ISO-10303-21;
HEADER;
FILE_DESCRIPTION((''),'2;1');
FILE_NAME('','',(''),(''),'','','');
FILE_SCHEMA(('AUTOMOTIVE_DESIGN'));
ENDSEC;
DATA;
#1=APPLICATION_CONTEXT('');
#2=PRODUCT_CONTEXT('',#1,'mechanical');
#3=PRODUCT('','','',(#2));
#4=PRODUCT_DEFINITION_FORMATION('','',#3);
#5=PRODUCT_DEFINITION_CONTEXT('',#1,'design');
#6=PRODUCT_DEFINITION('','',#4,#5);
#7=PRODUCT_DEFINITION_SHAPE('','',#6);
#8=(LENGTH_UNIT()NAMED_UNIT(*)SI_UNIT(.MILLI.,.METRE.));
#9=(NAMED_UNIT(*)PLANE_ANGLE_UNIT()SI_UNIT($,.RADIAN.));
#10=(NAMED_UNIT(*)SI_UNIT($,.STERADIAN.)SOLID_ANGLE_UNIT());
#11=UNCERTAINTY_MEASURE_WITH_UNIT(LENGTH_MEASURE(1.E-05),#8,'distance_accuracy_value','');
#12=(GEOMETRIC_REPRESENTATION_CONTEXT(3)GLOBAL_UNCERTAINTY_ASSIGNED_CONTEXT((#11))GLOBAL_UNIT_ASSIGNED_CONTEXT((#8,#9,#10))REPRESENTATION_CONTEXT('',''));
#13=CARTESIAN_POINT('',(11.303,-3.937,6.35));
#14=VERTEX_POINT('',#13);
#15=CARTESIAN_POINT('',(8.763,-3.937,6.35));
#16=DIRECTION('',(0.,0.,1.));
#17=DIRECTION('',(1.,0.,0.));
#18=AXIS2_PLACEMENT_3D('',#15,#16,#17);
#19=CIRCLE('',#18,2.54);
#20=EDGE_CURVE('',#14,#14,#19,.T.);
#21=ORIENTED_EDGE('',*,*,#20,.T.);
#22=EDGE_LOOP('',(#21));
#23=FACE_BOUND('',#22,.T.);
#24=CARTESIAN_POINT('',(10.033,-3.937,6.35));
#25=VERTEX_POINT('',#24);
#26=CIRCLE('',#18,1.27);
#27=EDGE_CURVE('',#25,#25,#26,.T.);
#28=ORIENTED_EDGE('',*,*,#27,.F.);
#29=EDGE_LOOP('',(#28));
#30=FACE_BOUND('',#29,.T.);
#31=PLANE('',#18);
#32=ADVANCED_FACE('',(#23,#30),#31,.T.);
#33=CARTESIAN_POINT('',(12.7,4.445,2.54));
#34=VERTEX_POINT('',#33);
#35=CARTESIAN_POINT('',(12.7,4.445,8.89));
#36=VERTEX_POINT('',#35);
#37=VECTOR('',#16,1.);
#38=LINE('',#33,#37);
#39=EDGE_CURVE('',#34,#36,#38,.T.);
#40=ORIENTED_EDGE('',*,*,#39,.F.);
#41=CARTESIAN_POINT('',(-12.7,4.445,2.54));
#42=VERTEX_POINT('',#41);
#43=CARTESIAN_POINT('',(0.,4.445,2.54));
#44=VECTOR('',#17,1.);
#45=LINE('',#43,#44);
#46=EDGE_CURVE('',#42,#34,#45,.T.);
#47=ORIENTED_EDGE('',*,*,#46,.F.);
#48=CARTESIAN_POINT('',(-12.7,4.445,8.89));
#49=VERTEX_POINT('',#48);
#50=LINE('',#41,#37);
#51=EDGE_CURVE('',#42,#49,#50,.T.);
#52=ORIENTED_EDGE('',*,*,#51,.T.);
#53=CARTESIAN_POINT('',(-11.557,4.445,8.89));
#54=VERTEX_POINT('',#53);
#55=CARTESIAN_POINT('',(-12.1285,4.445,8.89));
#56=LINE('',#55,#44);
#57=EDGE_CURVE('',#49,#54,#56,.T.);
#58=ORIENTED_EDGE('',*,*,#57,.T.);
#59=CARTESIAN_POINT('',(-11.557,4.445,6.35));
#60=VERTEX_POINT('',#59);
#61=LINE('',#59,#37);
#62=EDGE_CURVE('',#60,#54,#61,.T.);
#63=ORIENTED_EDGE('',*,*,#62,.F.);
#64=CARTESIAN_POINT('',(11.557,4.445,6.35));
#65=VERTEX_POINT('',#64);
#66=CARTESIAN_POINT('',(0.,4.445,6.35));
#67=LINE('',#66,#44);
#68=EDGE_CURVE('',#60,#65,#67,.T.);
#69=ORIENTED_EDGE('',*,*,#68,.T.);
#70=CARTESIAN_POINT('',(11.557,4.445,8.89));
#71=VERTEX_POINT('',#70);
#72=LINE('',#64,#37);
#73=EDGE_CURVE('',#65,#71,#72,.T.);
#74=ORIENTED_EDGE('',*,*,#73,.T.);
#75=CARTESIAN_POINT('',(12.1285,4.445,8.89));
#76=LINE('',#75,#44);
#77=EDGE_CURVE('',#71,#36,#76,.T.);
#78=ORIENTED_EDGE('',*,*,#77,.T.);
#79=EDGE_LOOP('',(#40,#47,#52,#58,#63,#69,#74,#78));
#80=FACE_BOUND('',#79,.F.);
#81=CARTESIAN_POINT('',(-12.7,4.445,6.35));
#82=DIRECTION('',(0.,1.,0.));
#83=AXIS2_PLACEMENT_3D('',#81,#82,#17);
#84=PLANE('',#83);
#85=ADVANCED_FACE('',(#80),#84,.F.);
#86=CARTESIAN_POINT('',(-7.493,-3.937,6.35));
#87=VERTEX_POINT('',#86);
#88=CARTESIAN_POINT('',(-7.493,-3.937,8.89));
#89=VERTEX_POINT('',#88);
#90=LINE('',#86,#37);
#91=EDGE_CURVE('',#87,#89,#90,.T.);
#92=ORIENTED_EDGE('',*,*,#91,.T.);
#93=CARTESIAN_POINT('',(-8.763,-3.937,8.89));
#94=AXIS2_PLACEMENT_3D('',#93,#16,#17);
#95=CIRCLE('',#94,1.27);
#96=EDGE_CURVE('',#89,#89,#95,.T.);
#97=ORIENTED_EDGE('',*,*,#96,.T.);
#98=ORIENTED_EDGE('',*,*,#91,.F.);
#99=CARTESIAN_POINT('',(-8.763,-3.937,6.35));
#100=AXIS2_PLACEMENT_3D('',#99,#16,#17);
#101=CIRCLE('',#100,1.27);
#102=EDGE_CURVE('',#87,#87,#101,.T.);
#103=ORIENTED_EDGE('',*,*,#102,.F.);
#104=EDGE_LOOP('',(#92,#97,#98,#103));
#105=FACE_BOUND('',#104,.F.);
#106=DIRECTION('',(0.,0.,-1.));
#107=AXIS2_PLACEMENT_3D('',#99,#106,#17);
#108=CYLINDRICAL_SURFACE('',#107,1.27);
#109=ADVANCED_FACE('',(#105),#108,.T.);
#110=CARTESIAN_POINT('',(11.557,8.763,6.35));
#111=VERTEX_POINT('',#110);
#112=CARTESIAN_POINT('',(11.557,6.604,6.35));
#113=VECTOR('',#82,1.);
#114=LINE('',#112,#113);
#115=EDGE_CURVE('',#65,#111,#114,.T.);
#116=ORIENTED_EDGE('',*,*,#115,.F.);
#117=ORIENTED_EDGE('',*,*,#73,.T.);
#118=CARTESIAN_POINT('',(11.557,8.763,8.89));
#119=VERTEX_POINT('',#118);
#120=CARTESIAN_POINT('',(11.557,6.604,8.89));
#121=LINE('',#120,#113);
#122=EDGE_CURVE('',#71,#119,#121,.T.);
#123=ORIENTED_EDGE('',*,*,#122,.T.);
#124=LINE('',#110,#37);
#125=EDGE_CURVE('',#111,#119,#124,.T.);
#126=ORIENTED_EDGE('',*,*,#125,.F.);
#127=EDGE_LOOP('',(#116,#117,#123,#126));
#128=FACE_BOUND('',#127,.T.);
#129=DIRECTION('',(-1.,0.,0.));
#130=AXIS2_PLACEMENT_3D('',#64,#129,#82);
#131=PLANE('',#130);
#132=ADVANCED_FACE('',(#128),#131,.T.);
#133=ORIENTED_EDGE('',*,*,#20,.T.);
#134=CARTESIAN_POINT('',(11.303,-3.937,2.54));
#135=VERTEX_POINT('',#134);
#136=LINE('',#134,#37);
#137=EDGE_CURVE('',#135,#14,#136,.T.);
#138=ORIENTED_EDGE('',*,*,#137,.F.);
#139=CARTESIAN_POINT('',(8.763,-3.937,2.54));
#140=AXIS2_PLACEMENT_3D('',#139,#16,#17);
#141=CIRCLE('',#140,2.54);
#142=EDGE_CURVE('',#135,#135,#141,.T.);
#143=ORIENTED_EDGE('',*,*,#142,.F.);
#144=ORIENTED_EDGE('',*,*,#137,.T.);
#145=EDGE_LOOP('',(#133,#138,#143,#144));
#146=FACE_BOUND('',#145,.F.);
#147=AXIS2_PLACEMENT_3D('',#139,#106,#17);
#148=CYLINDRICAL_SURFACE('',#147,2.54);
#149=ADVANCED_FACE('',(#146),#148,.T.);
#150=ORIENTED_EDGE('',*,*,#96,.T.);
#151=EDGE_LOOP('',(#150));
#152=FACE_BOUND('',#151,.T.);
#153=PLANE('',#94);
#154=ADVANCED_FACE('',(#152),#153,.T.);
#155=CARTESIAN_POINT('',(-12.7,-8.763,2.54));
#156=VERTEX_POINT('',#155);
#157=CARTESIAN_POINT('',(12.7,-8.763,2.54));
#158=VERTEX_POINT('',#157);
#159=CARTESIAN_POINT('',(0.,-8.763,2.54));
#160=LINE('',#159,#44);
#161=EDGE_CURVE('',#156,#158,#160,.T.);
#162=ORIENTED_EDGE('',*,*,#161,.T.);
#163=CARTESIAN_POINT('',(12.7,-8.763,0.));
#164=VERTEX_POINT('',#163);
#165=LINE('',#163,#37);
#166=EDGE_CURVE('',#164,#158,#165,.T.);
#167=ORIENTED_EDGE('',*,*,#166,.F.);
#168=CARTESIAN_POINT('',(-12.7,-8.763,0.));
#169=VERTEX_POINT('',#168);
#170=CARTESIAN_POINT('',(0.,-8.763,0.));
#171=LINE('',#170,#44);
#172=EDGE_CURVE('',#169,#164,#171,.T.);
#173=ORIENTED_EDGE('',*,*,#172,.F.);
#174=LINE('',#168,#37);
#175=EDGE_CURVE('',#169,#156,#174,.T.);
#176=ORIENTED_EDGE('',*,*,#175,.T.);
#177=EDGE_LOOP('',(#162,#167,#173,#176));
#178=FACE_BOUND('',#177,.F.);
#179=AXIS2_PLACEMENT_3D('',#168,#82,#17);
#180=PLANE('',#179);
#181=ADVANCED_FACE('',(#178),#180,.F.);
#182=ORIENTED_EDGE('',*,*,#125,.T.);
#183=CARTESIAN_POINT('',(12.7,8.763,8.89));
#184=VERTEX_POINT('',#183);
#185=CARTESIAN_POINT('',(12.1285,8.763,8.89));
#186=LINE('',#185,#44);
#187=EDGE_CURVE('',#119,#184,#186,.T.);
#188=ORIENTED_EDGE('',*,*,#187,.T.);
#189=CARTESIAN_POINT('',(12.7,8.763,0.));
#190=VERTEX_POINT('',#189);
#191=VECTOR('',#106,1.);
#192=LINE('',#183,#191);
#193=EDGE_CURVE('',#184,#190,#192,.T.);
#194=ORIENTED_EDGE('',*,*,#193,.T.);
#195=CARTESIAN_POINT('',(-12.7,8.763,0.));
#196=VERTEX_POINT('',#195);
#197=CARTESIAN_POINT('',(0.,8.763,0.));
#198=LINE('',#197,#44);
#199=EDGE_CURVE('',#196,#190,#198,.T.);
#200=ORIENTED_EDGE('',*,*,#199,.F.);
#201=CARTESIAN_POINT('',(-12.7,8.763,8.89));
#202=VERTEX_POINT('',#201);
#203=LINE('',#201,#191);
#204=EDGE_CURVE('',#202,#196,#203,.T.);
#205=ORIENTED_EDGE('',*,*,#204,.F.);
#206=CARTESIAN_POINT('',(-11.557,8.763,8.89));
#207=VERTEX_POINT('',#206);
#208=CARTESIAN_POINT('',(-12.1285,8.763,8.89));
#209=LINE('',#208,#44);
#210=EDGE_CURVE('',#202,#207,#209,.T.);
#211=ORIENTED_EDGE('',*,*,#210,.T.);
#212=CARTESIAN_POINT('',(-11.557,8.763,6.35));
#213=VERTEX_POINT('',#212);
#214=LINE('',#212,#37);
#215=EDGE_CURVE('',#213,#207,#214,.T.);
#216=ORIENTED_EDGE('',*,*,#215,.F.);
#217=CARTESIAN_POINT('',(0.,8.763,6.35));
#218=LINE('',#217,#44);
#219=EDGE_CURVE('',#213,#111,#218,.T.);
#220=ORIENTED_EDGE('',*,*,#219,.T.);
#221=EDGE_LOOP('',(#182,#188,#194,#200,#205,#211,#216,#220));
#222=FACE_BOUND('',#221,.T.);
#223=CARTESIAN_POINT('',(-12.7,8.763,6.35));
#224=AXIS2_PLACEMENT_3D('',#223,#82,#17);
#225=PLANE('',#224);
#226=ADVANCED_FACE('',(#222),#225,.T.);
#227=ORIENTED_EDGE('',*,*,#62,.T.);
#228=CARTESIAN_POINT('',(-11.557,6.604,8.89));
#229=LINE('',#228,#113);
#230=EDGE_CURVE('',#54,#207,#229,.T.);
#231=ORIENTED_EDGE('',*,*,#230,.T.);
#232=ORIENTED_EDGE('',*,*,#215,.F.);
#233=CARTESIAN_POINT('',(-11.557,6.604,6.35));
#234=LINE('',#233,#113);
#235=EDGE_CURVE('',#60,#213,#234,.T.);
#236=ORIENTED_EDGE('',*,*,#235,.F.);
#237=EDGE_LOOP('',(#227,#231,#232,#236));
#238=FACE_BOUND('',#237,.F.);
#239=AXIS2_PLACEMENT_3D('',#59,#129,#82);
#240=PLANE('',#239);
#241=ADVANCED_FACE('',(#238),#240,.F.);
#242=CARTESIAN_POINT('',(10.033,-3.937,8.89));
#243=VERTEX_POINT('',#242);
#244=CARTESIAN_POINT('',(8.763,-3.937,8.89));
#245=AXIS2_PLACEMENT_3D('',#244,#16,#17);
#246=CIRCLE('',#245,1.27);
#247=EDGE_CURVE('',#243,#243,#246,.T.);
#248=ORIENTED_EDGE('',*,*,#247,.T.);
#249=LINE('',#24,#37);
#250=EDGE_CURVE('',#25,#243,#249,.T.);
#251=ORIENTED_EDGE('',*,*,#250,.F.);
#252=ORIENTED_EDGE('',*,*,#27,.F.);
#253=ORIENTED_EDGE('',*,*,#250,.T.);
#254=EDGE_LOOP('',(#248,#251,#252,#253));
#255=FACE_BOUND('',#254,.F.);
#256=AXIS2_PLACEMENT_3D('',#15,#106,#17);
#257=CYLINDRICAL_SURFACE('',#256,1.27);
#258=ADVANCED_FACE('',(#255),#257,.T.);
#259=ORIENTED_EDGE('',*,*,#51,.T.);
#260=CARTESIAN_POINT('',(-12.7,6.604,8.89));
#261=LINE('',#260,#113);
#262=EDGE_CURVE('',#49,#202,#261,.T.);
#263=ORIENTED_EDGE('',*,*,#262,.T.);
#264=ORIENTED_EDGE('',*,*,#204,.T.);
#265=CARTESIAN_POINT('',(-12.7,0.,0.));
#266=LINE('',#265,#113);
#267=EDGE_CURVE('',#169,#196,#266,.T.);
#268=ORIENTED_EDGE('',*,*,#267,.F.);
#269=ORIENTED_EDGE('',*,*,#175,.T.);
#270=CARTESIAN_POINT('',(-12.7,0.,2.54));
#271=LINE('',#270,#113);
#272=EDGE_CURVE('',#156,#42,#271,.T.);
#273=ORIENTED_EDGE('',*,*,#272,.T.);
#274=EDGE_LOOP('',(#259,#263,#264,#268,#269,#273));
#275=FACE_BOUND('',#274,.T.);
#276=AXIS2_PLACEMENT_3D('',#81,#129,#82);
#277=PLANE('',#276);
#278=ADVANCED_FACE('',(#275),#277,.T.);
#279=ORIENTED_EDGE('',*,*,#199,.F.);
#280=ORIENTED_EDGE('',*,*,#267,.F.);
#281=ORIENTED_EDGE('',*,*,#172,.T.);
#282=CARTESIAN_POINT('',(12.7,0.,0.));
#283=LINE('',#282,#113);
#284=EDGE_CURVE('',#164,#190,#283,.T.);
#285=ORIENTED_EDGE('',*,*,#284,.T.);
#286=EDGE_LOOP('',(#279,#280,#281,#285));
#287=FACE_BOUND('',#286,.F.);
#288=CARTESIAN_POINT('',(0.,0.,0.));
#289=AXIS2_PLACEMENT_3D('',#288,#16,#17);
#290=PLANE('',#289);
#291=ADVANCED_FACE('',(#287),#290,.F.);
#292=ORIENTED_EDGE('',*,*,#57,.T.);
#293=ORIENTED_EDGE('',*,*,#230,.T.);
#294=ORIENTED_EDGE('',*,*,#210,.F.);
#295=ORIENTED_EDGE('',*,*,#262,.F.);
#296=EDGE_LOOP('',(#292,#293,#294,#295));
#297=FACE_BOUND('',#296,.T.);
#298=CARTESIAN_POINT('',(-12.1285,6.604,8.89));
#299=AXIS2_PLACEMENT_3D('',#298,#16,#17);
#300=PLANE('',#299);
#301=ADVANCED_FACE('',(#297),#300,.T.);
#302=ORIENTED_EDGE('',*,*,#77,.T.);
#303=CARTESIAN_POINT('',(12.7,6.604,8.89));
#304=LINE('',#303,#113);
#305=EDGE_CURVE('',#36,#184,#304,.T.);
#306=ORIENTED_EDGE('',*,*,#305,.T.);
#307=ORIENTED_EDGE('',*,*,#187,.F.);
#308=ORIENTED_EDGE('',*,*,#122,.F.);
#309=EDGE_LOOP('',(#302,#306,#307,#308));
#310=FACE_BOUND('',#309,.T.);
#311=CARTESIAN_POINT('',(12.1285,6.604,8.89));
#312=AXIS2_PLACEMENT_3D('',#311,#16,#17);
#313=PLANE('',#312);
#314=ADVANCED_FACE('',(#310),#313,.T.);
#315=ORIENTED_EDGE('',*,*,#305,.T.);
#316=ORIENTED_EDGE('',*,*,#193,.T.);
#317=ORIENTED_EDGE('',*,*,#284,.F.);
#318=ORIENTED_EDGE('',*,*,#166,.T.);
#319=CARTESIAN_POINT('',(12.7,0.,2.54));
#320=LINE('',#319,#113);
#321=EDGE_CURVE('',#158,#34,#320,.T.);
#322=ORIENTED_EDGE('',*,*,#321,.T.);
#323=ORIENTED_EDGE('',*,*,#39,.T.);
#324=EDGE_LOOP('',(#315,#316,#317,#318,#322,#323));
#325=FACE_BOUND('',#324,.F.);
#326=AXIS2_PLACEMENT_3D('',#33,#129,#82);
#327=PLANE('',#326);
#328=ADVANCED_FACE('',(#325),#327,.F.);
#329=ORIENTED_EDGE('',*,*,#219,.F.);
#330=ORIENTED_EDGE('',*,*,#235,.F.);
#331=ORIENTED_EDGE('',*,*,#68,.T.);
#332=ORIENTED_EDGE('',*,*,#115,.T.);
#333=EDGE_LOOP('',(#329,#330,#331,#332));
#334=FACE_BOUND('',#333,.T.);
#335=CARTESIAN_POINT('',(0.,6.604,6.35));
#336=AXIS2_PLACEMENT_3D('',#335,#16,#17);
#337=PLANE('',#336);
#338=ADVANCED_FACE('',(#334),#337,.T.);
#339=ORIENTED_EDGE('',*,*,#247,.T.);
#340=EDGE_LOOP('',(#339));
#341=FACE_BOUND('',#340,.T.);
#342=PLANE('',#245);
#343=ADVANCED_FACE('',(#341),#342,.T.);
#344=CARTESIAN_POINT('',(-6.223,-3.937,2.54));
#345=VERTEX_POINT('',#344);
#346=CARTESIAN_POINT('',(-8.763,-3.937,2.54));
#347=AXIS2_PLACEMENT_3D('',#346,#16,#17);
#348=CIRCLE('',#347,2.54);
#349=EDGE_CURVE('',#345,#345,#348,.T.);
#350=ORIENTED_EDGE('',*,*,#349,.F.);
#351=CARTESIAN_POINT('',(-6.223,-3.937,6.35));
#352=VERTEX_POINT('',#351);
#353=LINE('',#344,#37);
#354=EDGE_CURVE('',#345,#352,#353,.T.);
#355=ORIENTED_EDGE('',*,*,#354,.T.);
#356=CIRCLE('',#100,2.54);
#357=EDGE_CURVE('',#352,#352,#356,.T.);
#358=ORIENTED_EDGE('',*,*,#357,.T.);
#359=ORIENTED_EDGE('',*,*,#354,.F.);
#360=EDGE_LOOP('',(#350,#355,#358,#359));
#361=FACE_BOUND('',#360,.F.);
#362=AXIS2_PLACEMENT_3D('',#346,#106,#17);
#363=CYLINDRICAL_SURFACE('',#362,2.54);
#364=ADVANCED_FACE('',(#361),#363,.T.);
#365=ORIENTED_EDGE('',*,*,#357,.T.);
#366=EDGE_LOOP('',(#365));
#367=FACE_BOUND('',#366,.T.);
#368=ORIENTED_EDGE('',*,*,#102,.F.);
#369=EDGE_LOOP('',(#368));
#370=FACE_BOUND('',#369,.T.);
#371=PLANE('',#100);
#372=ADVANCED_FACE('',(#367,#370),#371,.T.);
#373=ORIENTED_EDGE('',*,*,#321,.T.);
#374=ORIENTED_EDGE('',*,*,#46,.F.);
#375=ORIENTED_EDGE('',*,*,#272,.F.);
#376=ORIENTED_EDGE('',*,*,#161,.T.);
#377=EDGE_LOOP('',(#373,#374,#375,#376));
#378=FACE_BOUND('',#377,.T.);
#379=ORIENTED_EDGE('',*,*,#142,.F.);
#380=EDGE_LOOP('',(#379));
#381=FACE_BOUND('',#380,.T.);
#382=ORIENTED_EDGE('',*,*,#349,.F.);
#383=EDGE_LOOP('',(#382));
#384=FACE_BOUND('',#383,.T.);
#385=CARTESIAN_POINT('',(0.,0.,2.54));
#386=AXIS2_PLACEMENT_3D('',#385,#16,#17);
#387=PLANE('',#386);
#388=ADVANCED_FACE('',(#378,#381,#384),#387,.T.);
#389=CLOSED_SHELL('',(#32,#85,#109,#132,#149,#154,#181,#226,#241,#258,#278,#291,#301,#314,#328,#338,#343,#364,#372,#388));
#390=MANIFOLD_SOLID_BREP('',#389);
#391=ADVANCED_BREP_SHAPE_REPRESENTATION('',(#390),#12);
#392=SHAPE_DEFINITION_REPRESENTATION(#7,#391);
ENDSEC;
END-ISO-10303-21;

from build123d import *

# Parameters (mm, degrees)
F0_W     = 25.4
F0_H     = 17.526
F1_DEPTH = 2.54
F2_W     = 25.4
F2_H     = 4.318
F2_R     = 2.54
F3_DEPTH = 3.81
F4_W     = 1.143
F4_H     = 4.318
F4_R     = 1.27
F5_DEPTH = 2.54


with BuildPart() as f1:
    # F0 (on Top) → F1 (new body)
    with BuildSketch(Plane.XY):
        Rectangle(F0_W, F0_H)
    extrude(amount=F1_DEPTH)

    # F2 (on face) → F3 (join)
    with BuildSketch(Plane.XY.offset(2.54)):
        with Locations((0, 6.604)):
            Rectangle(F2_W, F2_H)
        with Locations((-8.763, -3.937)):
            Circle(F2_R)
        with Locations((8.763, -3.937)):
            Circle(F2_R)
    extrude(amount=F3_DEPTH)

    # F4 (on face) → F5 (join)
    with BuildSketch(Plane.XY.offset(6.35)):
        with Locations((-12.1285, 6.604)):
            Rectangle(F4_W, F4_H)
        with Locations((12.1285, 6.604)):
            Rectangle(F4_W, F4_H)
        with Locations((-8.763, -3.937)):
            Circle(F4_R)
        with Locations((8.763, -3.937)):
            Circle(F4_R)
    extrude(amount=F5_DEPTH)


solid = f1.part
